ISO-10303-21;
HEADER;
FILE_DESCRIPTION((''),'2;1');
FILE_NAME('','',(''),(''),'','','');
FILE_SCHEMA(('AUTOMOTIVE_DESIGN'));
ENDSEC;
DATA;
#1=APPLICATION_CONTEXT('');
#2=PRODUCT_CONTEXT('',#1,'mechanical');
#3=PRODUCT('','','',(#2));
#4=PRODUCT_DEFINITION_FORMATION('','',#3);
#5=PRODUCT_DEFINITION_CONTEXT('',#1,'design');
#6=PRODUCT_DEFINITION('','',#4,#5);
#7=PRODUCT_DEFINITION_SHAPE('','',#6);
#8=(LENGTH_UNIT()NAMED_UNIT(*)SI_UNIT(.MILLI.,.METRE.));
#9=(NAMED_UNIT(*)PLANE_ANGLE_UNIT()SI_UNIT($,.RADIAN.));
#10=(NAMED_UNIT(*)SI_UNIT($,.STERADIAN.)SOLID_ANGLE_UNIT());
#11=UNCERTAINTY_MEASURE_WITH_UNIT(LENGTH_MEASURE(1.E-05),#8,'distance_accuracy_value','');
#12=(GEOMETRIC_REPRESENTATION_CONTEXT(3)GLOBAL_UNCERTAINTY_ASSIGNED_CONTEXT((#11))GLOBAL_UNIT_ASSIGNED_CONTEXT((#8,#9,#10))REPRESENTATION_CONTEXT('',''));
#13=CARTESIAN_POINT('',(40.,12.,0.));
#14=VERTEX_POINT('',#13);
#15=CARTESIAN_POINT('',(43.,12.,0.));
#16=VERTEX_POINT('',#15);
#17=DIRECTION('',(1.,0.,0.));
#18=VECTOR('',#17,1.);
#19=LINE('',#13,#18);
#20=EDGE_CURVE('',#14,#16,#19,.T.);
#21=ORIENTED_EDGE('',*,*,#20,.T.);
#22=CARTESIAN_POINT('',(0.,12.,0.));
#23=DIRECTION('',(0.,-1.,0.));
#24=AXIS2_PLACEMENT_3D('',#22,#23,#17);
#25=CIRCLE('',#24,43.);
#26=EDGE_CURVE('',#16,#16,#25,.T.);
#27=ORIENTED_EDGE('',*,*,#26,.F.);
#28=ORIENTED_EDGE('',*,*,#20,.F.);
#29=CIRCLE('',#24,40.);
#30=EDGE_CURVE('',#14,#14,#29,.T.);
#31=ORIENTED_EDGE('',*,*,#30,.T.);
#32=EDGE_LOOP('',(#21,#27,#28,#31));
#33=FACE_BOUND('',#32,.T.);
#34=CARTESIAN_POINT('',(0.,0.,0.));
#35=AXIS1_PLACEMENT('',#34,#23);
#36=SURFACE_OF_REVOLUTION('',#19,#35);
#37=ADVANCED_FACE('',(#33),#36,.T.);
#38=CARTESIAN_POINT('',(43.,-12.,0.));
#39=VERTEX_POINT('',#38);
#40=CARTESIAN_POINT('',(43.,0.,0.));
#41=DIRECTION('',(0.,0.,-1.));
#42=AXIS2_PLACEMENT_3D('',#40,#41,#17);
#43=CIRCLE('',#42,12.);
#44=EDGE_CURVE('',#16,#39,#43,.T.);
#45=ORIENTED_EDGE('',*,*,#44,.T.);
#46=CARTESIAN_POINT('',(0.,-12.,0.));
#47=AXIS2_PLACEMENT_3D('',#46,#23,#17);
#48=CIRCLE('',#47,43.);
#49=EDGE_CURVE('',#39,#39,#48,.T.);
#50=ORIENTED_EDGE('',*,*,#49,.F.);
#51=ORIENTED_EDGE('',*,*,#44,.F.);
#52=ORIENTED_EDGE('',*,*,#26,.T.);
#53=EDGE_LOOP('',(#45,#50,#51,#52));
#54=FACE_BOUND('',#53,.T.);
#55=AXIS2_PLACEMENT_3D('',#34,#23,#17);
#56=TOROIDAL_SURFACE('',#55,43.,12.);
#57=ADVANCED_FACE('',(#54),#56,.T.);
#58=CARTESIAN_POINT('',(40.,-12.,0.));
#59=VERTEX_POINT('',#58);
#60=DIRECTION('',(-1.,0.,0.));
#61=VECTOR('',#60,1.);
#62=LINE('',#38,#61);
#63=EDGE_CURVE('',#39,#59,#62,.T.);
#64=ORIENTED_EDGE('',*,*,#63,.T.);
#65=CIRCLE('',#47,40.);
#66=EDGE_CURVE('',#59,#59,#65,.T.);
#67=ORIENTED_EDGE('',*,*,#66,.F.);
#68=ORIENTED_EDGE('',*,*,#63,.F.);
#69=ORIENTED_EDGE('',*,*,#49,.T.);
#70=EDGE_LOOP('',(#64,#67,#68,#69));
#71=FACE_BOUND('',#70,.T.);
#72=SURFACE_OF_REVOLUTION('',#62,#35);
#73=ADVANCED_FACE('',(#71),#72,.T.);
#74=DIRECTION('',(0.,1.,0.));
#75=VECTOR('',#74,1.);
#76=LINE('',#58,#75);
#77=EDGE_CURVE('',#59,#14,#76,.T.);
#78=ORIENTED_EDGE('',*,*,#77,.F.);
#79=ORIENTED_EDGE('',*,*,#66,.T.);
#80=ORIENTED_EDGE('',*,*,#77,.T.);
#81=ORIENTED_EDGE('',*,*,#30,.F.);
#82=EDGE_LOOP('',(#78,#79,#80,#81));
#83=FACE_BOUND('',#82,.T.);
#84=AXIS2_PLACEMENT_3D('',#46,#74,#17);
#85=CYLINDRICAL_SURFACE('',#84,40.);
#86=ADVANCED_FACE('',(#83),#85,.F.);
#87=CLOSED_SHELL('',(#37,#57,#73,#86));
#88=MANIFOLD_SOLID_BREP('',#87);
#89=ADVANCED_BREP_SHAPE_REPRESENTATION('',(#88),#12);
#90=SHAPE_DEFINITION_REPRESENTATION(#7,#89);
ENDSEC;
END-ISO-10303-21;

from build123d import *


with BuildPart() as f2:
    # F2: sweep along a path in F0
    with BuildLine(Plane.XZ) as f2_path:
        CenterArc((0, 0), 40, 0, 360)
    # F1 (on Top) → F2 (sweep)
    with BuildSketch(Plane.XY):
        with BuildLine():
            Line((-40, 12), (-43, 12))
            ThreePointArc((-43, 12), (-55, 0), (-43, -12))
            Line((-43, -12), (-40, -12))
            Line((-40, -12), (-40, 12))
        make_face()
    sweep(path=f2_path.line)


solid = f2.part
